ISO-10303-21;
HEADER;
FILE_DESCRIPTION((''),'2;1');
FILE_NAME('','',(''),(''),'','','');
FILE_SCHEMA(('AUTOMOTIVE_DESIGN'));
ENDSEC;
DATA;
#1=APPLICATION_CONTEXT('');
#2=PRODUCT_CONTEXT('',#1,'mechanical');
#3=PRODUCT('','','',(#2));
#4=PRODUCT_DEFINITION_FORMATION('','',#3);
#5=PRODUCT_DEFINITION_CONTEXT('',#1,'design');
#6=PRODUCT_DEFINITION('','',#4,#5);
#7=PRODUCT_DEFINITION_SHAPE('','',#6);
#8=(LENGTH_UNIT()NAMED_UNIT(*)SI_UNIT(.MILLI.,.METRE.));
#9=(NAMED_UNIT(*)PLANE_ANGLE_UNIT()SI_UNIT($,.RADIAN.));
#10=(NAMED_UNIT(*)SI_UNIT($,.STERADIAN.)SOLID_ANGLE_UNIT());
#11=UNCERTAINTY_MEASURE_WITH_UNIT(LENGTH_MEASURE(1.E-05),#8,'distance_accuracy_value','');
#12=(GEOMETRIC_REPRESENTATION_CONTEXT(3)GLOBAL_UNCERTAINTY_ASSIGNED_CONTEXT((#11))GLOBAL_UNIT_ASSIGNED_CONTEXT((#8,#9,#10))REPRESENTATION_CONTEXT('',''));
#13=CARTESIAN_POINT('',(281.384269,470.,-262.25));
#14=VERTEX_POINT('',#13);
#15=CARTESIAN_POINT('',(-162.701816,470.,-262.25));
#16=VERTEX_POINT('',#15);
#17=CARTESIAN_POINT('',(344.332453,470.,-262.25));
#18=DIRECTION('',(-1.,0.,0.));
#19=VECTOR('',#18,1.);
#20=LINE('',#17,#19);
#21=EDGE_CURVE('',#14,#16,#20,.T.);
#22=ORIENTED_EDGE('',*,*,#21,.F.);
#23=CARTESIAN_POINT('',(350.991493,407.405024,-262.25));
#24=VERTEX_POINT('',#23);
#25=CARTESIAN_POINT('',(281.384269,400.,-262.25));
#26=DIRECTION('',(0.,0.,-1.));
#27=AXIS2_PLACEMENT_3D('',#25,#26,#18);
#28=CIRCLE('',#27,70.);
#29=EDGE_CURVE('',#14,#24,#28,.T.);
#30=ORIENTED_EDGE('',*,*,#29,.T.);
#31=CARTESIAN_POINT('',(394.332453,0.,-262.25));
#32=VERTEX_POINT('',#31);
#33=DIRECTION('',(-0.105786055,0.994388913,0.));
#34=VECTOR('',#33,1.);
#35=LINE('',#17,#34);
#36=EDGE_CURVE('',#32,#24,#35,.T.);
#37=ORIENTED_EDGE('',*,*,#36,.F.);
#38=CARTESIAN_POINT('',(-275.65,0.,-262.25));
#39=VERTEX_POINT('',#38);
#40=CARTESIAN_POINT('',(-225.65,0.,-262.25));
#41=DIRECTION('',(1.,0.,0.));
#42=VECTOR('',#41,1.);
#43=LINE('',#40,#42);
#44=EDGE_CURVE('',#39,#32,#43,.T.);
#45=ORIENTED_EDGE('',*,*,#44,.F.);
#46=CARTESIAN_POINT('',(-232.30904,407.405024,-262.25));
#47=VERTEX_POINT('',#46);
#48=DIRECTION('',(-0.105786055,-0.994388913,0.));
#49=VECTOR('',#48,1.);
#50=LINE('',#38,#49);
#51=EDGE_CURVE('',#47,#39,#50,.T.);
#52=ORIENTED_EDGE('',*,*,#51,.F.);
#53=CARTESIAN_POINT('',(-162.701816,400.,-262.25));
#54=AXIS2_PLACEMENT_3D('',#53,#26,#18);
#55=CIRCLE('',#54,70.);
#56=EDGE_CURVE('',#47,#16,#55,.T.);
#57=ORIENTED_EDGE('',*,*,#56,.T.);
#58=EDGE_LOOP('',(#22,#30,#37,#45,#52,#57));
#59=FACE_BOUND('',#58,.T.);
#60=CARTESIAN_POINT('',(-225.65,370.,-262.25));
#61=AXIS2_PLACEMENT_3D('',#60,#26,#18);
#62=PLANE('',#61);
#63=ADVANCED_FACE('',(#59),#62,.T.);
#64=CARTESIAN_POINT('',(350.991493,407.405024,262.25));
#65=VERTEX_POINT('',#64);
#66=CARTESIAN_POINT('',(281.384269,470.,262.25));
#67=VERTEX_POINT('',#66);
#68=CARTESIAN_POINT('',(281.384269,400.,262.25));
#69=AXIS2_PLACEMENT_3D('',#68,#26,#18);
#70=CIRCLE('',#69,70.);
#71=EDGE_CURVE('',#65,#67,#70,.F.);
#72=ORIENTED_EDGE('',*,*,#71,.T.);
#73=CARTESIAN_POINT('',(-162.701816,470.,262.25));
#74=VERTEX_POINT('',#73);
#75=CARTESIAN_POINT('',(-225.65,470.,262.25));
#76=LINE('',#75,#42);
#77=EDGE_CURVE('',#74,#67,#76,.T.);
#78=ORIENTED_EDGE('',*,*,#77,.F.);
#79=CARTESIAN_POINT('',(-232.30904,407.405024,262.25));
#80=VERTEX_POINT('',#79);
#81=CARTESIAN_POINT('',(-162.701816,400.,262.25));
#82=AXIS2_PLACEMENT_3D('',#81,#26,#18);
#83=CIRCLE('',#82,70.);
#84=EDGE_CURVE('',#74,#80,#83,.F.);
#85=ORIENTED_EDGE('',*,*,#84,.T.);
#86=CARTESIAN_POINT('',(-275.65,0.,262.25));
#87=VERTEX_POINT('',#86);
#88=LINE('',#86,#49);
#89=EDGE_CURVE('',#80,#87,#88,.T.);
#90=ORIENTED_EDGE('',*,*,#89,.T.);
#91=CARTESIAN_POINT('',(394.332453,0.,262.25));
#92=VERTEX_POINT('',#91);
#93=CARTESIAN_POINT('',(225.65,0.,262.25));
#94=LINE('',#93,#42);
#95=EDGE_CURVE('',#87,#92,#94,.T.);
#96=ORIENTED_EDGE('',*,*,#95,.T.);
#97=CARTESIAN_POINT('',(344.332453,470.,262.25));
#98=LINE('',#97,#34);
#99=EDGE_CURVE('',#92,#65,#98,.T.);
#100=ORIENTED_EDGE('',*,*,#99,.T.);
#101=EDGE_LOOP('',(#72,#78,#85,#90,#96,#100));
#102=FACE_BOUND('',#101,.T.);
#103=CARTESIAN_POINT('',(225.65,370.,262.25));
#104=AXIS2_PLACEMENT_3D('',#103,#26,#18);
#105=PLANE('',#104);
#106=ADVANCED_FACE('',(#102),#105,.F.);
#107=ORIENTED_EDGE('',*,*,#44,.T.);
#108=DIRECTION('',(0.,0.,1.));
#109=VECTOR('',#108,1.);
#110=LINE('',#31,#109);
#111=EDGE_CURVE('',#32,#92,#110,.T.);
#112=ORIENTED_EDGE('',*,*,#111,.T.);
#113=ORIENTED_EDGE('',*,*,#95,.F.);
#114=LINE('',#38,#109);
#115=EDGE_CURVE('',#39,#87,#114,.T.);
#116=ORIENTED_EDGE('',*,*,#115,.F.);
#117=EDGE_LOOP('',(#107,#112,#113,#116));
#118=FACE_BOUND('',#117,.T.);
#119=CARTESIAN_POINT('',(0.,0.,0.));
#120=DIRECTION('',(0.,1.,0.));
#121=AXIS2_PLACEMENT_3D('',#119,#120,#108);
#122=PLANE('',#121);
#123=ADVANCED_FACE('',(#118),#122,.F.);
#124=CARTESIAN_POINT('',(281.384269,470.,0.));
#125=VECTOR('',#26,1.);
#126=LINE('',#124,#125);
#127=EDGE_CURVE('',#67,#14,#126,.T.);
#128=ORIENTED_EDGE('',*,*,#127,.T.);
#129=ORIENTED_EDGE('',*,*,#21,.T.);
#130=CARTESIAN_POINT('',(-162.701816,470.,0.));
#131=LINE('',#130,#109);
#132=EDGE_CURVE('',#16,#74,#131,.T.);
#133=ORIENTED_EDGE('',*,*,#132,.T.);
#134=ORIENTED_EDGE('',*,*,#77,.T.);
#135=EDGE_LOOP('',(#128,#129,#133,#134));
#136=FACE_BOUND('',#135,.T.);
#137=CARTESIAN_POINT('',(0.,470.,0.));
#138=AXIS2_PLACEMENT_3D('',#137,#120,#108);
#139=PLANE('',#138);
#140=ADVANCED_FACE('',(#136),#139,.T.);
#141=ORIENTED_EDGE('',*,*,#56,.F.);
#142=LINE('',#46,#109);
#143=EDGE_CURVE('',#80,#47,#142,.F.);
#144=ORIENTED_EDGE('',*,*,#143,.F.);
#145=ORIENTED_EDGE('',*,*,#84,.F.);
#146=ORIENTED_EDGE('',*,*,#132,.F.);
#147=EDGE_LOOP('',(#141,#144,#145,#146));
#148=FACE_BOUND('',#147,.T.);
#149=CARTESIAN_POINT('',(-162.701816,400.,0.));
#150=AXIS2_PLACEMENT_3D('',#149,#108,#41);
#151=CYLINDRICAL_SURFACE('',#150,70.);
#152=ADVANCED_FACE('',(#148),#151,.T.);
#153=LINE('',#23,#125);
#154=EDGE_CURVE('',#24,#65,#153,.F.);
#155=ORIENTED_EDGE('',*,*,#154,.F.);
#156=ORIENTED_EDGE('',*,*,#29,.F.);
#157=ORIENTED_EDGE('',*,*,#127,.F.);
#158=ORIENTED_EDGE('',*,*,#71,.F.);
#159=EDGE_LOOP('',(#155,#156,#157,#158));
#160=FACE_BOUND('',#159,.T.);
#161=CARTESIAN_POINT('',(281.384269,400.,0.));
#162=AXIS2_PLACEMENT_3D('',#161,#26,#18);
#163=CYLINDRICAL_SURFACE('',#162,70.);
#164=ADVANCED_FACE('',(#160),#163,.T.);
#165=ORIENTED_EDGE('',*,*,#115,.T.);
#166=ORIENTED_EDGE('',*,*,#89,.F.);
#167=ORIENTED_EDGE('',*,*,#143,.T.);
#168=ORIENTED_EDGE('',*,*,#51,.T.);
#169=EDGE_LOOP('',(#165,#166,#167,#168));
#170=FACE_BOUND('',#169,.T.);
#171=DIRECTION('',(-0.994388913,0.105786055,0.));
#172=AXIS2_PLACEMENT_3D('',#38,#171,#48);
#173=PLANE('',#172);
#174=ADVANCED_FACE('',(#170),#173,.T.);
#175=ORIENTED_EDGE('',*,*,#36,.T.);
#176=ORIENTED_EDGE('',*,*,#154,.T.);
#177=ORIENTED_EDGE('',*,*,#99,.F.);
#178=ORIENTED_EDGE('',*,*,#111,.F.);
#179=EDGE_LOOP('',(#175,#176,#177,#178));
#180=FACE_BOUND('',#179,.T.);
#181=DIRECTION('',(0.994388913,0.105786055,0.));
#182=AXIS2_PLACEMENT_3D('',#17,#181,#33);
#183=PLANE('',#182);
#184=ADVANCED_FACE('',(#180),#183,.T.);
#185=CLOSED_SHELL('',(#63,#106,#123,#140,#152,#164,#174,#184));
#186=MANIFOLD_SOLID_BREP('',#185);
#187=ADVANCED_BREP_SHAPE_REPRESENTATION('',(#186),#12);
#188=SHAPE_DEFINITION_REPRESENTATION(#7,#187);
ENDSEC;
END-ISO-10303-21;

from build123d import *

# Parameters (mm, degrees)
BOSS_EXTRUDE3_DEPTH = 370
SKETCH3_W           = 569.98245323
SKETCH3_H           = 524.5
BOSS_EXTRUDE4_DEPTH = 100
BOSS_EXTRUDE5_DEPTH = 524.5
FILLET3_R           = 70


with BuildPart() as part:
    # Sketch1 → Boss-Extrude3 (new body)
    with BuildSketch(Plane(origin=(0, 0, 0), x_dir=(1, 0, 0), z_dir=(0, 1, 0))):
        Polygon((225.65, -262.25), (344.33245323, -262.25), (344.33245323, 262.25), (225.65, 262.25), (-225.65, 262.25), (-225.65, -262.25), align=None)
    extrude(amount=BOSS_EXTRUDE3_DEPTH)

    # Sketch3 → Boss-Extrude4 (add)
    with BuildSketch(Plane(origin=(0, 370, 0), x_dir=(1, 0, 0), z_dir=(0, 1, 0))):
        with Locations((59.341226615, 0)):
            Rectangle(SKETCH3_W, SKETCH3_H)
    extrude(amount=BOSS_EXTRUDE4_DEPTH)

    # Sketch6 → Boss-Extrude5 (add, through all)
    with BuildSketch(Plane.XY.offset(262.25)):
        Polygon((-225.65, 0), (-275.65, 0), (-225.65, 470), (344.33245323, 470), (394.33245323, 0), (344.33245323, 0), align=None)
    extrude(amount=-BOSS_EXTRUDE5_DEPTH)

    # Fillet3
    fillet3_edges = [part.edges().sort_by_distance(p)[0] for p in [
        (-225.65, 470, 0),
        (344.33245323, 470, 0),
    ]]
    fillet(fillet3_edges, radius=FILLET3_R)


solid = part.part
